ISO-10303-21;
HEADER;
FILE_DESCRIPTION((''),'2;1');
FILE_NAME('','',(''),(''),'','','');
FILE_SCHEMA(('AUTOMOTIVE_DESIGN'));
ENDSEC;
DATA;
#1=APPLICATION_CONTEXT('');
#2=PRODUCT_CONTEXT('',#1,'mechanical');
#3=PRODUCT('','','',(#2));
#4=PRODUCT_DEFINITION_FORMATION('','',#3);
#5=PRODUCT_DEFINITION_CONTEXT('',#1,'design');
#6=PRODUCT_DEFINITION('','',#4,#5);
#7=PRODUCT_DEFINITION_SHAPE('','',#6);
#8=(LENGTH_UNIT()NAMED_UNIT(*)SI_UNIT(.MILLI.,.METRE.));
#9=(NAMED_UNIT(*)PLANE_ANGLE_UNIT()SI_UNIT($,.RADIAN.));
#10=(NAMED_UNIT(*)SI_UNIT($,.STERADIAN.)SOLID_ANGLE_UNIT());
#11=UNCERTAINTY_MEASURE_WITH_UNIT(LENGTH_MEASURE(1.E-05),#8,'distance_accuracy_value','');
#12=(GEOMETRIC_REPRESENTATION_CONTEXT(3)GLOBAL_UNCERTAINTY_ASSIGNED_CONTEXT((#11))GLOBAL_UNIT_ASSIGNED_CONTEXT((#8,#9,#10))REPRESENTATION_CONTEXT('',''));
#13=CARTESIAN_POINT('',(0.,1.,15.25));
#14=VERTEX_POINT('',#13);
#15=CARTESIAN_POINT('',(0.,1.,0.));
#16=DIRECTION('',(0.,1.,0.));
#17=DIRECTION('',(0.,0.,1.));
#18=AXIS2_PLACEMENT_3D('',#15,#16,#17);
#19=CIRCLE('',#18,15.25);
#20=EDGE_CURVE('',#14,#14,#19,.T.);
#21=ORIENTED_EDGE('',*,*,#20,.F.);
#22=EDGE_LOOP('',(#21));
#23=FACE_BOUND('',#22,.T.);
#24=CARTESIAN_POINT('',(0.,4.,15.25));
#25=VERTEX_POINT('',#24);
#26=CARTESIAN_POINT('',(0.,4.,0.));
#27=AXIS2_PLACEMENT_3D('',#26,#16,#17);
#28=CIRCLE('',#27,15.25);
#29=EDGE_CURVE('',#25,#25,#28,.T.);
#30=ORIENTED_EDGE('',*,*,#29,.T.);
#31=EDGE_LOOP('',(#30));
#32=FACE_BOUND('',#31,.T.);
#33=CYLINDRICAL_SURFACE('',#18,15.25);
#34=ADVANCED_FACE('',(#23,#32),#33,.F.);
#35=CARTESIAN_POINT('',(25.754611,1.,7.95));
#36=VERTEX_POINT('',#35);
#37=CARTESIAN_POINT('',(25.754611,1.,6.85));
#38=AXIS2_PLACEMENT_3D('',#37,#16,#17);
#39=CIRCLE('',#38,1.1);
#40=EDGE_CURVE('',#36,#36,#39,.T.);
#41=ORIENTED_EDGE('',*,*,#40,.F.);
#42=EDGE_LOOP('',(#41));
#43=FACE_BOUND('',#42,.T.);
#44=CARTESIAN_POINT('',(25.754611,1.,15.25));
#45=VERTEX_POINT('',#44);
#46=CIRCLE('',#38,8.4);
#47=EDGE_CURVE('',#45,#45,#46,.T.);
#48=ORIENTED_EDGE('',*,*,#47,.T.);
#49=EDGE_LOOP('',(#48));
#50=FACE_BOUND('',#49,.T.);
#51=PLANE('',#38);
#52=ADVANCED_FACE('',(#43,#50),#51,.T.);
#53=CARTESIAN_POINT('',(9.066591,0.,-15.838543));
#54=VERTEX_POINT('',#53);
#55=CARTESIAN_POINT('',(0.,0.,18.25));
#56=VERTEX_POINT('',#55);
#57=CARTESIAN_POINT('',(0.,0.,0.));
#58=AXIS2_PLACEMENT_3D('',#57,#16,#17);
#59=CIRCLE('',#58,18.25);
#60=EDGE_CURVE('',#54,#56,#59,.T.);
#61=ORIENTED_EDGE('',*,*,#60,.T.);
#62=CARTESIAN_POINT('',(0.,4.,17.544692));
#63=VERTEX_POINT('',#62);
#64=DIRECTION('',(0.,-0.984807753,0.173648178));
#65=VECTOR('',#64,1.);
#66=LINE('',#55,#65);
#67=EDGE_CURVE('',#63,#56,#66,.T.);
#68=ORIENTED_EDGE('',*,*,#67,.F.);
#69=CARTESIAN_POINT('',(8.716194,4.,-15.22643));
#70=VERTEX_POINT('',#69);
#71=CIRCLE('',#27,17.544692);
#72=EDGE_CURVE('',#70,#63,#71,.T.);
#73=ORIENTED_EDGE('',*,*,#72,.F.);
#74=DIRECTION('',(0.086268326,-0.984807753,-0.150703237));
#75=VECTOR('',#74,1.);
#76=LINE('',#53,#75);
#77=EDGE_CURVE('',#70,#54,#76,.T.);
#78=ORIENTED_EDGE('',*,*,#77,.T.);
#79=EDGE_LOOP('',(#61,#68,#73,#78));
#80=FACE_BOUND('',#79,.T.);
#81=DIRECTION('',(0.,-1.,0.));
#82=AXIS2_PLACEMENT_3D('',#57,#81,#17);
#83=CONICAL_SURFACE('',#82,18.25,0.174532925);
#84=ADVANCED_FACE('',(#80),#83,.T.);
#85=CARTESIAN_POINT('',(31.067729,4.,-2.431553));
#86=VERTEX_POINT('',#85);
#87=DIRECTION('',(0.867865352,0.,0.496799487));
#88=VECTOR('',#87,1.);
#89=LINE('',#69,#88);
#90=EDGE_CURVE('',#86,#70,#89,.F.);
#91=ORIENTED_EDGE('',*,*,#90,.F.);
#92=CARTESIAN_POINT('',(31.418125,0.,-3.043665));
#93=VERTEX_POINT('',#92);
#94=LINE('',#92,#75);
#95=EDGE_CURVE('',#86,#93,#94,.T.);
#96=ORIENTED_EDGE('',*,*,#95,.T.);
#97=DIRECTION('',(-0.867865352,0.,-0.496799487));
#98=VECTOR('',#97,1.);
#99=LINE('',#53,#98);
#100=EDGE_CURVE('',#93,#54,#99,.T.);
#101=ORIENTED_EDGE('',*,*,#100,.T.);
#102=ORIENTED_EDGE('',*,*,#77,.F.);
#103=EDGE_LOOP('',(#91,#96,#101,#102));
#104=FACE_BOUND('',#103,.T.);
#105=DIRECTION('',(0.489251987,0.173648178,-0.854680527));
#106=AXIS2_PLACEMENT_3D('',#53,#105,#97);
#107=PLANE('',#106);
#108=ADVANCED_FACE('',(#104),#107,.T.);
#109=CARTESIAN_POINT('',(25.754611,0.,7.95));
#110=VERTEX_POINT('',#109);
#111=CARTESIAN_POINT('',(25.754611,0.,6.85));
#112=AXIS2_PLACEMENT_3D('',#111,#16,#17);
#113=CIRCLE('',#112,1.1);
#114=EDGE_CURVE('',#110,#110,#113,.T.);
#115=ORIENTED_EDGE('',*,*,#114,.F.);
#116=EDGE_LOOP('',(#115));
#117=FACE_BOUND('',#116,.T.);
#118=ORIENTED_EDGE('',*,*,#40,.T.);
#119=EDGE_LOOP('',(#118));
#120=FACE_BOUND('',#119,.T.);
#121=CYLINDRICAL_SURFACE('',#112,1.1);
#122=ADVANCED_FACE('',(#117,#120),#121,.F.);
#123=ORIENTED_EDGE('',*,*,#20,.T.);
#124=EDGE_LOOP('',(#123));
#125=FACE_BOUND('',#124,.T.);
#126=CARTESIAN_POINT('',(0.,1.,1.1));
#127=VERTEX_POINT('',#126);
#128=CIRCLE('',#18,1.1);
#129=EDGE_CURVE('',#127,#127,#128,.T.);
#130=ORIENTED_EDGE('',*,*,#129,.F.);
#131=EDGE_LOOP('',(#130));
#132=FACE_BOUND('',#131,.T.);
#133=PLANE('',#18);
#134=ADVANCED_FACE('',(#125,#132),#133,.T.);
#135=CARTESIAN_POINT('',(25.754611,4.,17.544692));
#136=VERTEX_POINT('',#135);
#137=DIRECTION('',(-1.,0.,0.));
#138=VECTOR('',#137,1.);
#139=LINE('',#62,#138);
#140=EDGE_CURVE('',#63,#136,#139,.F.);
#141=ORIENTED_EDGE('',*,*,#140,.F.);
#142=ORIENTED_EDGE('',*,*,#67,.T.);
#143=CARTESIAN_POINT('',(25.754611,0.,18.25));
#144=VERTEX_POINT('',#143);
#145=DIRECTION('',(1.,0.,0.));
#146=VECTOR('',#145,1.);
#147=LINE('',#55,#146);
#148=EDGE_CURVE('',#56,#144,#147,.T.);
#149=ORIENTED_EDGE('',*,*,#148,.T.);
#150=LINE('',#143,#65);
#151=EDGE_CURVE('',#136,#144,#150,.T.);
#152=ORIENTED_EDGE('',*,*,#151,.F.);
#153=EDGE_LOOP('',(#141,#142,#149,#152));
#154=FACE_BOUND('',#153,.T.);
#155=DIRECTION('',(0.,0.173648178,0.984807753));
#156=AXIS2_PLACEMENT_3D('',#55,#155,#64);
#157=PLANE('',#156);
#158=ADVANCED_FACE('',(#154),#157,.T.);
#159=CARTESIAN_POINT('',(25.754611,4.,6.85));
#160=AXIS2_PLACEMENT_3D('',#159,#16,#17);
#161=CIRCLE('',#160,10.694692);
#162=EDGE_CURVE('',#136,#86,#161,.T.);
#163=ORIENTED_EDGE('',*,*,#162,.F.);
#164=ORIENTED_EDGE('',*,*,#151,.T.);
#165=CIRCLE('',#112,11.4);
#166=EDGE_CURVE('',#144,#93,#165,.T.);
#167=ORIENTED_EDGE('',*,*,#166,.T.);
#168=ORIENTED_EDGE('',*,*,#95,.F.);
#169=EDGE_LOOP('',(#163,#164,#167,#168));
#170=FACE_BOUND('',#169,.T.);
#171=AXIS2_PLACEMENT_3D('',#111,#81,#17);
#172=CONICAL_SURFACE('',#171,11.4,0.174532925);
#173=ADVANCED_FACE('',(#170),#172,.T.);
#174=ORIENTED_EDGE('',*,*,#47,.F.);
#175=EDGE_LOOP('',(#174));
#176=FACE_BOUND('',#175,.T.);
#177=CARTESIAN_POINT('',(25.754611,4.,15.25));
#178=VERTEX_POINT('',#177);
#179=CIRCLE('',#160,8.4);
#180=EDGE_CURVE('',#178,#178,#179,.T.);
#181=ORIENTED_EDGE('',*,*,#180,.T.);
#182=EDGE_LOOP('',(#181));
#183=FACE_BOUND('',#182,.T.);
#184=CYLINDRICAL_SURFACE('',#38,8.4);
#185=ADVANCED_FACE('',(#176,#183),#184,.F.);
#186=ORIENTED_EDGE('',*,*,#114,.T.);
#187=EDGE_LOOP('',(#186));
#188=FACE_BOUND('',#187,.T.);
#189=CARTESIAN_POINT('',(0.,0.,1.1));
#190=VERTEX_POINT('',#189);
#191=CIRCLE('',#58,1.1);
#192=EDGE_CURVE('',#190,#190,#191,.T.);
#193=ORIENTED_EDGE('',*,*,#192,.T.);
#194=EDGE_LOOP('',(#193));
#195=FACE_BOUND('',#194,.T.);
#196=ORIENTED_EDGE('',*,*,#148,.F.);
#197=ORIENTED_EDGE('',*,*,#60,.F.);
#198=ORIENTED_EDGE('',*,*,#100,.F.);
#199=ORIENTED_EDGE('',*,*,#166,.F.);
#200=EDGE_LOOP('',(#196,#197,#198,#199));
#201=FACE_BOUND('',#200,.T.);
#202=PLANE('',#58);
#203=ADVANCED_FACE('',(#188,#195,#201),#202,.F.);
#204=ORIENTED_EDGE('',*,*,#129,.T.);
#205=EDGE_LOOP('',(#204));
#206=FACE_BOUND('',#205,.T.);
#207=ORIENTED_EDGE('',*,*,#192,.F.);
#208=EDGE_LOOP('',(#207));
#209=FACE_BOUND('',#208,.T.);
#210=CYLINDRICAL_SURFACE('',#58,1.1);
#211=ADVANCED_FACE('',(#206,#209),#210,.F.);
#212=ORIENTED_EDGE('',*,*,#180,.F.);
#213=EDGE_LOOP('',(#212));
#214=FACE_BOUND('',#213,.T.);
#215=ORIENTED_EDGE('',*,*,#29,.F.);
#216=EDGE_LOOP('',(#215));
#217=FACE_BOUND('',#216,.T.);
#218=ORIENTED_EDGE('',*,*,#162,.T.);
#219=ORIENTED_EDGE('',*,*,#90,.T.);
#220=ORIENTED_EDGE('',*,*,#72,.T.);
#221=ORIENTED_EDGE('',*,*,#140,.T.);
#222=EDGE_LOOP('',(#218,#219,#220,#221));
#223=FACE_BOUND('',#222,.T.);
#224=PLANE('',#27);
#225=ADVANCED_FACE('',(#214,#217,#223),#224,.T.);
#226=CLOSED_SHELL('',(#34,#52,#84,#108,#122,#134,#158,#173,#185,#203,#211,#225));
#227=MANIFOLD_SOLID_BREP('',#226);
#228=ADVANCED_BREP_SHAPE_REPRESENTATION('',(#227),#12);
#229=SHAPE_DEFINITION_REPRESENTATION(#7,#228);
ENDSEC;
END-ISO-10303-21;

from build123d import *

# Parameters (mm, degrees)
BOSS_EXTRUDE1_DEPTH = 4
BOSS_EXTRUDE1_DRAFT = 10
CUT_EXTRUDE2_START  = 4
SKETCH1_5_R         = 1.1
CUT_EXTRUDE2_DEPTH  = 4
CUT_EXTRUDE3_START  = 4
SKETCH1_6_R         = 15.25
SKETCH1_6_R_2       = 1.1
SKETCH1_6_R_3       = 8.4
CUT_EXTRUDE3_DEPTH  = 3


with BuildPart() as part:
    # Sketch1 → Boss-Extrude1 (with draft: the straight prism first)
    with BuildSketch(Plane(origin=(0, 0, 0), x_dir=(1, 0, 0), z_dir=(0, 1, 0))):
        with BuildLine():
            ThreePointArc((9.066590645, 15.838542675), (-17.636835088, 4.690900563), (0, -18.25))
            Line((0, -18.25), (25.754611238, -18.25))
            ThreePointArc((25.754611238, -18.25), (36.771593155, -9.780206379), (31.418125394, 3.043665013))
            Line((31.418125394, 3.043665013), (9.066590645, 15.838542675))
        make_face()
    extrude(amount=BOSS_EXTRUDE1_DEPTH)
    # Boss-Extrude1: the draft: its side faces are tilted about the plane it starts from
    boss_extrude1_sides = [part.faces().sort_by_distance(p)[0] for p in [
        (-17.636835088, 2, -4.690900563),
        (12.877305619, 2, 18.25),
        (36.771593155, 2, 9.780206379),
        (20.24235802, 2, -9.441103844),
    ]]
    draft(boss_extrude1_sides, Plane(origin=(0, 0, 0), x_dir=(1, 0, 0), z_dir=(0, 1, 0)), BOSS_EXTRUDE1_DRAFT)

    # Sketch1<5> → Cut-Extrude2 (cut)
    with BuildSketch(Plane(origin=(0, 0, 0), x_dir=(1, 0, 0), z_dir=(0, 1, 0)).offset(CUT_EXTRUDE2_START)):
        with Locations(Location((0, 0, 0), (0, 0, 270))):
            Circle(SKETCH1_5_R)
        with Locations(Location((25.754611238, -6.85, 0), (0, 0, 270))):
            Circle(SKETCH1_5_R)
    extrude(amount=-CUT_EXTRUDE2_DEPTH, mode=Mode.SUBTRACT)

    # Sketch1<6> → Cut-Extrude3 (cut)
    # profile 1 of 2: a face of its own
    with BuildSketch(Plane(origin=(0, 0, 0), x_dir=(1, 0, 0), z_dir=(0, 1, 0)).offset(CUT_EXTRUDE3_START)):
        with Locations(Location((0, 0, 0), (0, 0, 270))):
            Circle(SKETCH1_6_R)
        with Locations(Location((0, 0, 0), (0, 0, 270))):
            Circle(SKETCH1_6_R_2, mode=Mode.SUBTRACT)
    # profile 2 of 2: a face of its own
    with BuildSketch(Plane(origin=(0, 0, 0), x_dir=(1, 0, 0), z_dir=(0, 1, 0)).offset(CUT_EXTRUDE3_START)):
        with Locations(Location((25.754611238, -6.85, 0), (0, 0, 270))):
            Circle(SKETCH1_6_R_3)
        with Locations(Location((25.754611238, -6.85, 0), (0, 0, 270))):
            Circle(SKETCH1_6_R_2, mode=Mode.SUBTRACT)
    extrude(amount=-CUT_EXTRUDE3_DEPTH, mode=Mode.SUBTRACT)


solid = part.part
